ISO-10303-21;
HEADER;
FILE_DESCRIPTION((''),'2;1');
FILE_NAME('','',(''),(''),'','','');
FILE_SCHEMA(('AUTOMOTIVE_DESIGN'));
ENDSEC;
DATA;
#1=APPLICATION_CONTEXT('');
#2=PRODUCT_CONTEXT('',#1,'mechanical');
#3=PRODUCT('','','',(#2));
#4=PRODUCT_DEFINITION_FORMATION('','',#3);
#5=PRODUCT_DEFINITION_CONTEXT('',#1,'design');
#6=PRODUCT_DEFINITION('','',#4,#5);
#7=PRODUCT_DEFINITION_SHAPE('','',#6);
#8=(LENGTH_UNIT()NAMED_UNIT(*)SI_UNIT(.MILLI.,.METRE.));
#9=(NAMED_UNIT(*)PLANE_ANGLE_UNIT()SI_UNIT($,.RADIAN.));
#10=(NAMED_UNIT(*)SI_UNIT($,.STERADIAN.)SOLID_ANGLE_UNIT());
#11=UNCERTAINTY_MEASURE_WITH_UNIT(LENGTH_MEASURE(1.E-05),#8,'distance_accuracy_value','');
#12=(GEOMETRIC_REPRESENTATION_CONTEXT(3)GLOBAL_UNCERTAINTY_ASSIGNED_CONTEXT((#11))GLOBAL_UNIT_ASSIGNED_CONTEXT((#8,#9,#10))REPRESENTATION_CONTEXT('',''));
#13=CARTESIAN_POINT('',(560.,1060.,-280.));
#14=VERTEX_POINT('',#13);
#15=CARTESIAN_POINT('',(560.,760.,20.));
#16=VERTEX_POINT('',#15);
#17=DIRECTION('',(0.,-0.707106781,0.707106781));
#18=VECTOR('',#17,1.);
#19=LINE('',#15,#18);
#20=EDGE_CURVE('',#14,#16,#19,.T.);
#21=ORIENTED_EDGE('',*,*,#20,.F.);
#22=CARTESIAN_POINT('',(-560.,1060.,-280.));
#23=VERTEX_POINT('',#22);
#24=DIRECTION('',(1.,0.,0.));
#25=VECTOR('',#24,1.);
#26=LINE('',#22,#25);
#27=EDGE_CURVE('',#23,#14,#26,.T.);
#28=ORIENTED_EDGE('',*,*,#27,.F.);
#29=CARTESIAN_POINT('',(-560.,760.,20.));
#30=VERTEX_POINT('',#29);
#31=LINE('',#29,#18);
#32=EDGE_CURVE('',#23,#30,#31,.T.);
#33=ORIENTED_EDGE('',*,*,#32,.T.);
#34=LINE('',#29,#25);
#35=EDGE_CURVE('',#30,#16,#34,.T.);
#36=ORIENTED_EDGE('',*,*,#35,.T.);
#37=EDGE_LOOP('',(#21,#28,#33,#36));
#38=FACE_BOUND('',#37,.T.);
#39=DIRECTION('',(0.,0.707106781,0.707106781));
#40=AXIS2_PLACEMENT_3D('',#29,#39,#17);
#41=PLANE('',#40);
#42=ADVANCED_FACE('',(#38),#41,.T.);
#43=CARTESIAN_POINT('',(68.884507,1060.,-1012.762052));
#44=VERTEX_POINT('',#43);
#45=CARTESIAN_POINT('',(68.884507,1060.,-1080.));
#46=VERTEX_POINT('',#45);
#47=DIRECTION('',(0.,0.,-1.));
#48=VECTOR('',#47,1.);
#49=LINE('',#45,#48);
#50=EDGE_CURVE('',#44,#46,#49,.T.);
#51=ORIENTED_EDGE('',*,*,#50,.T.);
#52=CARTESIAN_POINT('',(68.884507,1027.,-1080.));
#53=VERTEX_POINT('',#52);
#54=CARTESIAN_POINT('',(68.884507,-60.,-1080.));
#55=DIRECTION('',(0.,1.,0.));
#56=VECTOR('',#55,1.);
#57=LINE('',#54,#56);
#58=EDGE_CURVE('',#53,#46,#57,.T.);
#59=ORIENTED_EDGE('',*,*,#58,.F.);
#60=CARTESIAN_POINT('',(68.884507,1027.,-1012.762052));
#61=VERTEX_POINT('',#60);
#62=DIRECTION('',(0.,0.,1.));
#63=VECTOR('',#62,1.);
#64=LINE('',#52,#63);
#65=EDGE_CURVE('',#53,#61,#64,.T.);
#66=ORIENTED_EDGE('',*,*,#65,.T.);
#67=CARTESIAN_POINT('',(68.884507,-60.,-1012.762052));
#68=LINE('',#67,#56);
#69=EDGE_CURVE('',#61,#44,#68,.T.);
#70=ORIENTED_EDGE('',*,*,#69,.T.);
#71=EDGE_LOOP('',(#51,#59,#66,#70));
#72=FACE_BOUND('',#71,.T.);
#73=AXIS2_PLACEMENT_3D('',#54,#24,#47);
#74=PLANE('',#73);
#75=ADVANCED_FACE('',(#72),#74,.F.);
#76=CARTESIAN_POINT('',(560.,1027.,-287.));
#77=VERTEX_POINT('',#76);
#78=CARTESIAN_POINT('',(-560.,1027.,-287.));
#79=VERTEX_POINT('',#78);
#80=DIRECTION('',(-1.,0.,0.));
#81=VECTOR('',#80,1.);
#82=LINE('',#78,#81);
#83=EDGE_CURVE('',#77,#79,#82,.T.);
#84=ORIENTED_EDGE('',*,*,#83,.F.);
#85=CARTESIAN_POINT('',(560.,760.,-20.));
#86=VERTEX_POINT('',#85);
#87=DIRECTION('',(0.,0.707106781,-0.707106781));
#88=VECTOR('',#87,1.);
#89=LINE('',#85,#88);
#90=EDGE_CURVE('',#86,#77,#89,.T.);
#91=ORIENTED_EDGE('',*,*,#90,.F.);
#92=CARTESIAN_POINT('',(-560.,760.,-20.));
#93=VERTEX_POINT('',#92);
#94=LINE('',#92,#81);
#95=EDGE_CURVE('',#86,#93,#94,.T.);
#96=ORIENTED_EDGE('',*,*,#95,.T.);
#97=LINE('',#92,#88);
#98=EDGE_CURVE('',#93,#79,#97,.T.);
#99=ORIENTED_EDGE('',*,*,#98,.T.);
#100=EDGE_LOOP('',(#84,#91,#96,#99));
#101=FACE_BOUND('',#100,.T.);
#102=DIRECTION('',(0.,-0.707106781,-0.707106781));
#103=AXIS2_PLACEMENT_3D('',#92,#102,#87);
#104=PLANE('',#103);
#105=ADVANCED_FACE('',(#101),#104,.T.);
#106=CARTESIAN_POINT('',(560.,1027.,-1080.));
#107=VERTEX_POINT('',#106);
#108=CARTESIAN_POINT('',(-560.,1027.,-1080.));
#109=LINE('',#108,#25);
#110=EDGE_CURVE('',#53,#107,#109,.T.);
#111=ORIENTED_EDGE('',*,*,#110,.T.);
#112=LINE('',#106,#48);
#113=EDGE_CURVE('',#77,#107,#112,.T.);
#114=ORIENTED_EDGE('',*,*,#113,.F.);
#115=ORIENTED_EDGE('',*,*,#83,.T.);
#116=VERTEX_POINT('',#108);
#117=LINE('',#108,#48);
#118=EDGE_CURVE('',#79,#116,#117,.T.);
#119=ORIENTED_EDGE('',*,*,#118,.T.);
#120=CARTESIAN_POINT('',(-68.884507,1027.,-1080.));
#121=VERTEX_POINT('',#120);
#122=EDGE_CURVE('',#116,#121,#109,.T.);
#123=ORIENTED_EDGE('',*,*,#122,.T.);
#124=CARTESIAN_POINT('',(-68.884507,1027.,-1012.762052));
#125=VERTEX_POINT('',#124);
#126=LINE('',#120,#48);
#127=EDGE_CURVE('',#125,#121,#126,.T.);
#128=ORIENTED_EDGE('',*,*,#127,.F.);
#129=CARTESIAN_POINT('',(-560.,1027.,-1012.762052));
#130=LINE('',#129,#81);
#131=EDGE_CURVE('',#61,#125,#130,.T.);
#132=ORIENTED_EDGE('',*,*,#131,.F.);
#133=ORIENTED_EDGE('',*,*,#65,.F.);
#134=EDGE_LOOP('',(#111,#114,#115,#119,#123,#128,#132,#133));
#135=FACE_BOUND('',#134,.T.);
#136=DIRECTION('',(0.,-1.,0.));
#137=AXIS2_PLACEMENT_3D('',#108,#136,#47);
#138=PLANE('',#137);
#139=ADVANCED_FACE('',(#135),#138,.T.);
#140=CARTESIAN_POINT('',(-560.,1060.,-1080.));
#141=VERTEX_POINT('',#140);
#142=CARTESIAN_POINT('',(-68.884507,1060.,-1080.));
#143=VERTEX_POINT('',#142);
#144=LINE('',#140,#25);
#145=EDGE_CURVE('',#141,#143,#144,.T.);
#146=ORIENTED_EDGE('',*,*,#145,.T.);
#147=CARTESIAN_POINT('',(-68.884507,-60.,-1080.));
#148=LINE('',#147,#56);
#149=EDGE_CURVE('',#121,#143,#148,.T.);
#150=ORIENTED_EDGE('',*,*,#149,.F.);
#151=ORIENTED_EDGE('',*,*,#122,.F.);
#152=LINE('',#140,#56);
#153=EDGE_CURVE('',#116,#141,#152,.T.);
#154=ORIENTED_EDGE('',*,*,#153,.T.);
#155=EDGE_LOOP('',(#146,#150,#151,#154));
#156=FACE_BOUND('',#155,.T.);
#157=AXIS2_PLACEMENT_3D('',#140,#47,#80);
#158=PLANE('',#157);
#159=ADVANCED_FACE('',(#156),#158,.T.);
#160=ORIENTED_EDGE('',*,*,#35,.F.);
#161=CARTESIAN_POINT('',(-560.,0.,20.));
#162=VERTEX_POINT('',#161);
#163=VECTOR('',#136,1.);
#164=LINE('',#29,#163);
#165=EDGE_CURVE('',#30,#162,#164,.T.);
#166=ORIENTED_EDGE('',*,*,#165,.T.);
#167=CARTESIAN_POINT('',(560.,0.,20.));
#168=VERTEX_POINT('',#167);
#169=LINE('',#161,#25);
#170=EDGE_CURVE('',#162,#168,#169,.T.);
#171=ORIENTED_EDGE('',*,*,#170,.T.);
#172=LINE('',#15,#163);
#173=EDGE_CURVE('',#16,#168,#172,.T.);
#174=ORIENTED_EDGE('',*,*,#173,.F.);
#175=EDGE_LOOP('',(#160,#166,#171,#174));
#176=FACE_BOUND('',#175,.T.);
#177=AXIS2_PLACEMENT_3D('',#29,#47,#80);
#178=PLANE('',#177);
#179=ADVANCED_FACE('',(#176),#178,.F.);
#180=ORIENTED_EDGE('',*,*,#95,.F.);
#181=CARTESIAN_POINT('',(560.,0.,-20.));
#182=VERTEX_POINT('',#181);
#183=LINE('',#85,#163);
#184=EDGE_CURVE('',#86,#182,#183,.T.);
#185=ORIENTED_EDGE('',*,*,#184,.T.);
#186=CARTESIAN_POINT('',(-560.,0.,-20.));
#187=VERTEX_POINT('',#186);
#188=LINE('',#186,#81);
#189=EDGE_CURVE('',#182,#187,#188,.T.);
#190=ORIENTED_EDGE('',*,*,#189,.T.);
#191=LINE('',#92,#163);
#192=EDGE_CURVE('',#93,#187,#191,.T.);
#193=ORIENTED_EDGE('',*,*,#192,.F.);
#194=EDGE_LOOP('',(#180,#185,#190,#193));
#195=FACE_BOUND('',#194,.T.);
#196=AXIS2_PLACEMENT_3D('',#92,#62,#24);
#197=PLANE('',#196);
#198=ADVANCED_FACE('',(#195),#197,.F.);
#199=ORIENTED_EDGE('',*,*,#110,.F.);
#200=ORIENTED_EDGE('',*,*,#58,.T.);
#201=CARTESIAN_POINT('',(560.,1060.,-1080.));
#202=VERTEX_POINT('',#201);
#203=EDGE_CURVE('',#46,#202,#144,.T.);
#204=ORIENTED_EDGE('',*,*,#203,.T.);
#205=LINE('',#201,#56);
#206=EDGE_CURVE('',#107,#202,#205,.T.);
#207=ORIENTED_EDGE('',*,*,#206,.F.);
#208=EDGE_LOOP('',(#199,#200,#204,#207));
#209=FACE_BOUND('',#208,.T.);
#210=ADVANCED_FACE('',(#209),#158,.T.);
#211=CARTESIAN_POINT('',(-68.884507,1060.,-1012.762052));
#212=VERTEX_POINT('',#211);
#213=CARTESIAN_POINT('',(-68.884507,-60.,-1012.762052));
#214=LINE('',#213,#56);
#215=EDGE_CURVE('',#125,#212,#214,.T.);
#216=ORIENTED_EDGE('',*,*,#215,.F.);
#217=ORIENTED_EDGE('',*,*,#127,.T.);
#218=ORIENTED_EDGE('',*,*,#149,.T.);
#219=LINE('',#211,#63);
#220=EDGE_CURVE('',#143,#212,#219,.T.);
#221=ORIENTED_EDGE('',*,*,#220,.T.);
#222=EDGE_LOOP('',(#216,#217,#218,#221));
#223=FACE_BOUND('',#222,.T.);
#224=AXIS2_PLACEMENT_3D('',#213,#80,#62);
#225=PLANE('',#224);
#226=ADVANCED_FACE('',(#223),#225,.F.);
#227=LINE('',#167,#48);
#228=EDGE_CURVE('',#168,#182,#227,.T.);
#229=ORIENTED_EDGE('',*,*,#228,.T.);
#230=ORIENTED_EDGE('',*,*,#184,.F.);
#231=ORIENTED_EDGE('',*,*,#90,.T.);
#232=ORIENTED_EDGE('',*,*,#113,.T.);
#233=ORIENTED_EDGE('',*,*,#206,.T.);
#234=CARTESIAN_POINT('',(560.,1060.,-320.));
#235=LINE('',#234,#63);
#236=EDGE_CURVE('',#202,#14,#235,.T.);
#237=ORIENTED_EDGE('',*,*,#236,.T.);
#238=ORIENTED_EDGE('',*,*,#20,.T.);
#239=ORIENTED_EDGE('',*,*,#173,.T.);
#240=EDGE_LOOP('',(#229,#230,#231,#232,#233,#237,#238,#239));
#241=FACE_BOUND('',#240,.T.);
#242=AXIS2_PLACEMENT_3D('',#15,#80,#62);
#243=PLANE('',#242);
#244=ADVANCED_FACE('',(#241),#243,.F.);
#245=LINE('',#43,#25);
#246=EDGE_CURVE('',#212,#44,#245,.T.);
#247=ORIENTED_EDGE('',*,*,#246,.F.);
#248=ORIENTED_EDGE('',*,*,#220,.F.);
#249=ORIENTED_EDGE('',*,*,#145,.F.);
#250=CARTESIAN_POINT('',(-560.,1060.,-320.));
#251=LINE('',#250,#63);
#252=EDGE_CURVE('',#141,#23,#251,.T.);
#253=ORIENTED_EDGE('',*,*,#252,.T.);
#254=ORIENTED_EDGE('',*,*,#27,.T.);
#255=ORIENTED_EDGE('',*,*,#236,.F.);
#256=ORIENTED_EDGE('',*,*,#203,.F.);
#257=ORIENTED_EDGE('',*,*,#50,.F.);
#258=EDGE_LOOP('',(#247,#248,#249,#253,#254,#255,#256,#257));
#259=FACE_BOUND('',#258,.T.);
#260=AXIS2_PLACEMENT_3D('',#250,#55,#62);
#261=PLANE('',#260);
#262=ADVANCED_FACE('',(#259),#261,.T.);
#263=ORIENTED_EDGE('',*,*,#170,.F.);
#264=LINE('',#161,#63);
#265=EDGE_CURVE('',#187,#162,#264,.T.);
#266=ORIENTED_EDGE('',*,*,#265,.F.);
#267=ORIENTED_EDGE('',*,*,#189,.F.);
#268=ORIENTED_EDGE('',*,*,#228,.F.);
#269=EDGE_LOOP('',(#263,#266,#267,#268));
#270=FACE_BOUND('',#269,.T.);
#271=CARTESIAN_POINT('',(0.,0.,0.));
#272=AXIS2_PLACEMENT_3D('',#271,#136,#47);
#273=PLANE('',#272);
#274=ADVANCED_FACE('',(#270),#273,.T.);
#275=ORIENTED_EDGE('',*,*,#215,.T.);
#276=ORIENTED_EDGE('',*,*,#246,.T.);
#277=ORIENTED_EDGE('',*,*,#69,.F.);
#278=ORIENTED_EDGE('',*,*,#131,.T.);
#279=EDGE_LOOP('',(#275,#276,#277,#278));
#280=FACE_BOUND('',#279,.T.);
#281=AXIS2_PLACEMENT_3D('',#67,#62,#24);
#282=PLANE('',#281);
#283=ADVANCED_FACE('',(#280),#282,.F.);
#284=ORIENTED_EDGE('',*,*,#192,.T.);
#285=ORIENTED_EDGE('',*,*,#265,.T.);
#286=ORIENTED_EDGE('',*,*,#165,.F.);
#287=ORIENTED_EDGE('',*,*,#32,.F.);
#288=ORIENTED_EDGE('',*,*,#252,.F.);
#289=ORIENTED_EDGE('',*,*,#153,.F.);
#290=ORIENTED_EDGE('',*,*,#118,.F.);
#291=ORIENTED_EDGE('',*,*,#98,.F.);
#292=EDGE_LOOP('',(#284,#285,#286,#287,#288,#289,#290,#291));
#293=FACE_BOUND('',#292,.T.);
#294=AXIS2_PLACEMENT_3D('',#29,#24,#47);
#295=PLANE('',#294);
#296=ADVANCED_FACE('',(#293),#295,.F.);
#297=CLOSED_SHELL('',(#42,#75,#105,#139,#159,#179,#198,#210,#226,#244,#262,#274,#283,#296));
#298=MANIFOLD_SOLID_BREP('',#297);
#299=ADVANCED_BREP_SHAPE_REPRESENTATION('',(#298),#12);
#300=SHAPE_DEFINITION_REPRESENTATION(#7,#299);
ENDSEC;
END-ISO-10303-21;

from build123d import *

# Parameters (mm, degrees)
SKETCH1_W           = 1120
SKETCH1_H           = 40
BOSS_EXTRUDE1_DEPTH = 760
BOSS_EXTRUDE2_DEPTH = 1120
BOSS_EXTRUDE3_DEPTH = 1120
SKETCH4_W           = 137.769014226
SKETCH4_H           = 67.23794826
CUT_EXTRUDE1_DEPTH  = 1120


with BuildPart() as part:
    # Sketch1 → Boss-Extrude1 (new body)
    with BuildSketch(Plane(origin=(0, 0, 0), x_dir=(1, 0, 0), z_dir=(0, 1, 0))):
        Rectangle(SKETCH1_W, SKETCH1_H)
    extrude(amount=BOSS_EXTRUDE1_DEPTH)

    # Sketch2 → Boss-Extrude2 (add)
    with BuildSketch(Plane(origin=(560, 0, 0), x_dir=(0, 0, -1), z_dir=(1, 0, 0))):
        Polygon((-20, 760), (280, 1060), (320, 1060), (20, 760), align=None)
    extrude(amount=-BOSS_EXTRUDE2_DEPTH)

    # Sketch3 → Boss-Extrude3 (add)
    with BuildSketch(Plane(origin=(560, 0, 0), x_dir=(0, 0, -1), z_dir=(1, 0, 0))):
        Polygon((320, 1060), (1080, 1060), (1080, 1027), (285.570778589, 1027), align=None)
    extrude(amount=-BOSS_EXTRUDE3_DEPTH)

    # Sketch4 → Cut-Extrude1 (cut)
    with BuildSketch(Plane(origin=(0, 1060, 0), x_dir=(1, 0, 0), z_dir=(0, 1, 0))):
        with Locations((0, 1046.38102587)):
            Rectangle(SKETCH4_W, SKETCH4_H)
    extrude(amount=-CUT_EXTRUDE1_DEPTH, mode=Mode.SUBTRACT)


solid = part.part
